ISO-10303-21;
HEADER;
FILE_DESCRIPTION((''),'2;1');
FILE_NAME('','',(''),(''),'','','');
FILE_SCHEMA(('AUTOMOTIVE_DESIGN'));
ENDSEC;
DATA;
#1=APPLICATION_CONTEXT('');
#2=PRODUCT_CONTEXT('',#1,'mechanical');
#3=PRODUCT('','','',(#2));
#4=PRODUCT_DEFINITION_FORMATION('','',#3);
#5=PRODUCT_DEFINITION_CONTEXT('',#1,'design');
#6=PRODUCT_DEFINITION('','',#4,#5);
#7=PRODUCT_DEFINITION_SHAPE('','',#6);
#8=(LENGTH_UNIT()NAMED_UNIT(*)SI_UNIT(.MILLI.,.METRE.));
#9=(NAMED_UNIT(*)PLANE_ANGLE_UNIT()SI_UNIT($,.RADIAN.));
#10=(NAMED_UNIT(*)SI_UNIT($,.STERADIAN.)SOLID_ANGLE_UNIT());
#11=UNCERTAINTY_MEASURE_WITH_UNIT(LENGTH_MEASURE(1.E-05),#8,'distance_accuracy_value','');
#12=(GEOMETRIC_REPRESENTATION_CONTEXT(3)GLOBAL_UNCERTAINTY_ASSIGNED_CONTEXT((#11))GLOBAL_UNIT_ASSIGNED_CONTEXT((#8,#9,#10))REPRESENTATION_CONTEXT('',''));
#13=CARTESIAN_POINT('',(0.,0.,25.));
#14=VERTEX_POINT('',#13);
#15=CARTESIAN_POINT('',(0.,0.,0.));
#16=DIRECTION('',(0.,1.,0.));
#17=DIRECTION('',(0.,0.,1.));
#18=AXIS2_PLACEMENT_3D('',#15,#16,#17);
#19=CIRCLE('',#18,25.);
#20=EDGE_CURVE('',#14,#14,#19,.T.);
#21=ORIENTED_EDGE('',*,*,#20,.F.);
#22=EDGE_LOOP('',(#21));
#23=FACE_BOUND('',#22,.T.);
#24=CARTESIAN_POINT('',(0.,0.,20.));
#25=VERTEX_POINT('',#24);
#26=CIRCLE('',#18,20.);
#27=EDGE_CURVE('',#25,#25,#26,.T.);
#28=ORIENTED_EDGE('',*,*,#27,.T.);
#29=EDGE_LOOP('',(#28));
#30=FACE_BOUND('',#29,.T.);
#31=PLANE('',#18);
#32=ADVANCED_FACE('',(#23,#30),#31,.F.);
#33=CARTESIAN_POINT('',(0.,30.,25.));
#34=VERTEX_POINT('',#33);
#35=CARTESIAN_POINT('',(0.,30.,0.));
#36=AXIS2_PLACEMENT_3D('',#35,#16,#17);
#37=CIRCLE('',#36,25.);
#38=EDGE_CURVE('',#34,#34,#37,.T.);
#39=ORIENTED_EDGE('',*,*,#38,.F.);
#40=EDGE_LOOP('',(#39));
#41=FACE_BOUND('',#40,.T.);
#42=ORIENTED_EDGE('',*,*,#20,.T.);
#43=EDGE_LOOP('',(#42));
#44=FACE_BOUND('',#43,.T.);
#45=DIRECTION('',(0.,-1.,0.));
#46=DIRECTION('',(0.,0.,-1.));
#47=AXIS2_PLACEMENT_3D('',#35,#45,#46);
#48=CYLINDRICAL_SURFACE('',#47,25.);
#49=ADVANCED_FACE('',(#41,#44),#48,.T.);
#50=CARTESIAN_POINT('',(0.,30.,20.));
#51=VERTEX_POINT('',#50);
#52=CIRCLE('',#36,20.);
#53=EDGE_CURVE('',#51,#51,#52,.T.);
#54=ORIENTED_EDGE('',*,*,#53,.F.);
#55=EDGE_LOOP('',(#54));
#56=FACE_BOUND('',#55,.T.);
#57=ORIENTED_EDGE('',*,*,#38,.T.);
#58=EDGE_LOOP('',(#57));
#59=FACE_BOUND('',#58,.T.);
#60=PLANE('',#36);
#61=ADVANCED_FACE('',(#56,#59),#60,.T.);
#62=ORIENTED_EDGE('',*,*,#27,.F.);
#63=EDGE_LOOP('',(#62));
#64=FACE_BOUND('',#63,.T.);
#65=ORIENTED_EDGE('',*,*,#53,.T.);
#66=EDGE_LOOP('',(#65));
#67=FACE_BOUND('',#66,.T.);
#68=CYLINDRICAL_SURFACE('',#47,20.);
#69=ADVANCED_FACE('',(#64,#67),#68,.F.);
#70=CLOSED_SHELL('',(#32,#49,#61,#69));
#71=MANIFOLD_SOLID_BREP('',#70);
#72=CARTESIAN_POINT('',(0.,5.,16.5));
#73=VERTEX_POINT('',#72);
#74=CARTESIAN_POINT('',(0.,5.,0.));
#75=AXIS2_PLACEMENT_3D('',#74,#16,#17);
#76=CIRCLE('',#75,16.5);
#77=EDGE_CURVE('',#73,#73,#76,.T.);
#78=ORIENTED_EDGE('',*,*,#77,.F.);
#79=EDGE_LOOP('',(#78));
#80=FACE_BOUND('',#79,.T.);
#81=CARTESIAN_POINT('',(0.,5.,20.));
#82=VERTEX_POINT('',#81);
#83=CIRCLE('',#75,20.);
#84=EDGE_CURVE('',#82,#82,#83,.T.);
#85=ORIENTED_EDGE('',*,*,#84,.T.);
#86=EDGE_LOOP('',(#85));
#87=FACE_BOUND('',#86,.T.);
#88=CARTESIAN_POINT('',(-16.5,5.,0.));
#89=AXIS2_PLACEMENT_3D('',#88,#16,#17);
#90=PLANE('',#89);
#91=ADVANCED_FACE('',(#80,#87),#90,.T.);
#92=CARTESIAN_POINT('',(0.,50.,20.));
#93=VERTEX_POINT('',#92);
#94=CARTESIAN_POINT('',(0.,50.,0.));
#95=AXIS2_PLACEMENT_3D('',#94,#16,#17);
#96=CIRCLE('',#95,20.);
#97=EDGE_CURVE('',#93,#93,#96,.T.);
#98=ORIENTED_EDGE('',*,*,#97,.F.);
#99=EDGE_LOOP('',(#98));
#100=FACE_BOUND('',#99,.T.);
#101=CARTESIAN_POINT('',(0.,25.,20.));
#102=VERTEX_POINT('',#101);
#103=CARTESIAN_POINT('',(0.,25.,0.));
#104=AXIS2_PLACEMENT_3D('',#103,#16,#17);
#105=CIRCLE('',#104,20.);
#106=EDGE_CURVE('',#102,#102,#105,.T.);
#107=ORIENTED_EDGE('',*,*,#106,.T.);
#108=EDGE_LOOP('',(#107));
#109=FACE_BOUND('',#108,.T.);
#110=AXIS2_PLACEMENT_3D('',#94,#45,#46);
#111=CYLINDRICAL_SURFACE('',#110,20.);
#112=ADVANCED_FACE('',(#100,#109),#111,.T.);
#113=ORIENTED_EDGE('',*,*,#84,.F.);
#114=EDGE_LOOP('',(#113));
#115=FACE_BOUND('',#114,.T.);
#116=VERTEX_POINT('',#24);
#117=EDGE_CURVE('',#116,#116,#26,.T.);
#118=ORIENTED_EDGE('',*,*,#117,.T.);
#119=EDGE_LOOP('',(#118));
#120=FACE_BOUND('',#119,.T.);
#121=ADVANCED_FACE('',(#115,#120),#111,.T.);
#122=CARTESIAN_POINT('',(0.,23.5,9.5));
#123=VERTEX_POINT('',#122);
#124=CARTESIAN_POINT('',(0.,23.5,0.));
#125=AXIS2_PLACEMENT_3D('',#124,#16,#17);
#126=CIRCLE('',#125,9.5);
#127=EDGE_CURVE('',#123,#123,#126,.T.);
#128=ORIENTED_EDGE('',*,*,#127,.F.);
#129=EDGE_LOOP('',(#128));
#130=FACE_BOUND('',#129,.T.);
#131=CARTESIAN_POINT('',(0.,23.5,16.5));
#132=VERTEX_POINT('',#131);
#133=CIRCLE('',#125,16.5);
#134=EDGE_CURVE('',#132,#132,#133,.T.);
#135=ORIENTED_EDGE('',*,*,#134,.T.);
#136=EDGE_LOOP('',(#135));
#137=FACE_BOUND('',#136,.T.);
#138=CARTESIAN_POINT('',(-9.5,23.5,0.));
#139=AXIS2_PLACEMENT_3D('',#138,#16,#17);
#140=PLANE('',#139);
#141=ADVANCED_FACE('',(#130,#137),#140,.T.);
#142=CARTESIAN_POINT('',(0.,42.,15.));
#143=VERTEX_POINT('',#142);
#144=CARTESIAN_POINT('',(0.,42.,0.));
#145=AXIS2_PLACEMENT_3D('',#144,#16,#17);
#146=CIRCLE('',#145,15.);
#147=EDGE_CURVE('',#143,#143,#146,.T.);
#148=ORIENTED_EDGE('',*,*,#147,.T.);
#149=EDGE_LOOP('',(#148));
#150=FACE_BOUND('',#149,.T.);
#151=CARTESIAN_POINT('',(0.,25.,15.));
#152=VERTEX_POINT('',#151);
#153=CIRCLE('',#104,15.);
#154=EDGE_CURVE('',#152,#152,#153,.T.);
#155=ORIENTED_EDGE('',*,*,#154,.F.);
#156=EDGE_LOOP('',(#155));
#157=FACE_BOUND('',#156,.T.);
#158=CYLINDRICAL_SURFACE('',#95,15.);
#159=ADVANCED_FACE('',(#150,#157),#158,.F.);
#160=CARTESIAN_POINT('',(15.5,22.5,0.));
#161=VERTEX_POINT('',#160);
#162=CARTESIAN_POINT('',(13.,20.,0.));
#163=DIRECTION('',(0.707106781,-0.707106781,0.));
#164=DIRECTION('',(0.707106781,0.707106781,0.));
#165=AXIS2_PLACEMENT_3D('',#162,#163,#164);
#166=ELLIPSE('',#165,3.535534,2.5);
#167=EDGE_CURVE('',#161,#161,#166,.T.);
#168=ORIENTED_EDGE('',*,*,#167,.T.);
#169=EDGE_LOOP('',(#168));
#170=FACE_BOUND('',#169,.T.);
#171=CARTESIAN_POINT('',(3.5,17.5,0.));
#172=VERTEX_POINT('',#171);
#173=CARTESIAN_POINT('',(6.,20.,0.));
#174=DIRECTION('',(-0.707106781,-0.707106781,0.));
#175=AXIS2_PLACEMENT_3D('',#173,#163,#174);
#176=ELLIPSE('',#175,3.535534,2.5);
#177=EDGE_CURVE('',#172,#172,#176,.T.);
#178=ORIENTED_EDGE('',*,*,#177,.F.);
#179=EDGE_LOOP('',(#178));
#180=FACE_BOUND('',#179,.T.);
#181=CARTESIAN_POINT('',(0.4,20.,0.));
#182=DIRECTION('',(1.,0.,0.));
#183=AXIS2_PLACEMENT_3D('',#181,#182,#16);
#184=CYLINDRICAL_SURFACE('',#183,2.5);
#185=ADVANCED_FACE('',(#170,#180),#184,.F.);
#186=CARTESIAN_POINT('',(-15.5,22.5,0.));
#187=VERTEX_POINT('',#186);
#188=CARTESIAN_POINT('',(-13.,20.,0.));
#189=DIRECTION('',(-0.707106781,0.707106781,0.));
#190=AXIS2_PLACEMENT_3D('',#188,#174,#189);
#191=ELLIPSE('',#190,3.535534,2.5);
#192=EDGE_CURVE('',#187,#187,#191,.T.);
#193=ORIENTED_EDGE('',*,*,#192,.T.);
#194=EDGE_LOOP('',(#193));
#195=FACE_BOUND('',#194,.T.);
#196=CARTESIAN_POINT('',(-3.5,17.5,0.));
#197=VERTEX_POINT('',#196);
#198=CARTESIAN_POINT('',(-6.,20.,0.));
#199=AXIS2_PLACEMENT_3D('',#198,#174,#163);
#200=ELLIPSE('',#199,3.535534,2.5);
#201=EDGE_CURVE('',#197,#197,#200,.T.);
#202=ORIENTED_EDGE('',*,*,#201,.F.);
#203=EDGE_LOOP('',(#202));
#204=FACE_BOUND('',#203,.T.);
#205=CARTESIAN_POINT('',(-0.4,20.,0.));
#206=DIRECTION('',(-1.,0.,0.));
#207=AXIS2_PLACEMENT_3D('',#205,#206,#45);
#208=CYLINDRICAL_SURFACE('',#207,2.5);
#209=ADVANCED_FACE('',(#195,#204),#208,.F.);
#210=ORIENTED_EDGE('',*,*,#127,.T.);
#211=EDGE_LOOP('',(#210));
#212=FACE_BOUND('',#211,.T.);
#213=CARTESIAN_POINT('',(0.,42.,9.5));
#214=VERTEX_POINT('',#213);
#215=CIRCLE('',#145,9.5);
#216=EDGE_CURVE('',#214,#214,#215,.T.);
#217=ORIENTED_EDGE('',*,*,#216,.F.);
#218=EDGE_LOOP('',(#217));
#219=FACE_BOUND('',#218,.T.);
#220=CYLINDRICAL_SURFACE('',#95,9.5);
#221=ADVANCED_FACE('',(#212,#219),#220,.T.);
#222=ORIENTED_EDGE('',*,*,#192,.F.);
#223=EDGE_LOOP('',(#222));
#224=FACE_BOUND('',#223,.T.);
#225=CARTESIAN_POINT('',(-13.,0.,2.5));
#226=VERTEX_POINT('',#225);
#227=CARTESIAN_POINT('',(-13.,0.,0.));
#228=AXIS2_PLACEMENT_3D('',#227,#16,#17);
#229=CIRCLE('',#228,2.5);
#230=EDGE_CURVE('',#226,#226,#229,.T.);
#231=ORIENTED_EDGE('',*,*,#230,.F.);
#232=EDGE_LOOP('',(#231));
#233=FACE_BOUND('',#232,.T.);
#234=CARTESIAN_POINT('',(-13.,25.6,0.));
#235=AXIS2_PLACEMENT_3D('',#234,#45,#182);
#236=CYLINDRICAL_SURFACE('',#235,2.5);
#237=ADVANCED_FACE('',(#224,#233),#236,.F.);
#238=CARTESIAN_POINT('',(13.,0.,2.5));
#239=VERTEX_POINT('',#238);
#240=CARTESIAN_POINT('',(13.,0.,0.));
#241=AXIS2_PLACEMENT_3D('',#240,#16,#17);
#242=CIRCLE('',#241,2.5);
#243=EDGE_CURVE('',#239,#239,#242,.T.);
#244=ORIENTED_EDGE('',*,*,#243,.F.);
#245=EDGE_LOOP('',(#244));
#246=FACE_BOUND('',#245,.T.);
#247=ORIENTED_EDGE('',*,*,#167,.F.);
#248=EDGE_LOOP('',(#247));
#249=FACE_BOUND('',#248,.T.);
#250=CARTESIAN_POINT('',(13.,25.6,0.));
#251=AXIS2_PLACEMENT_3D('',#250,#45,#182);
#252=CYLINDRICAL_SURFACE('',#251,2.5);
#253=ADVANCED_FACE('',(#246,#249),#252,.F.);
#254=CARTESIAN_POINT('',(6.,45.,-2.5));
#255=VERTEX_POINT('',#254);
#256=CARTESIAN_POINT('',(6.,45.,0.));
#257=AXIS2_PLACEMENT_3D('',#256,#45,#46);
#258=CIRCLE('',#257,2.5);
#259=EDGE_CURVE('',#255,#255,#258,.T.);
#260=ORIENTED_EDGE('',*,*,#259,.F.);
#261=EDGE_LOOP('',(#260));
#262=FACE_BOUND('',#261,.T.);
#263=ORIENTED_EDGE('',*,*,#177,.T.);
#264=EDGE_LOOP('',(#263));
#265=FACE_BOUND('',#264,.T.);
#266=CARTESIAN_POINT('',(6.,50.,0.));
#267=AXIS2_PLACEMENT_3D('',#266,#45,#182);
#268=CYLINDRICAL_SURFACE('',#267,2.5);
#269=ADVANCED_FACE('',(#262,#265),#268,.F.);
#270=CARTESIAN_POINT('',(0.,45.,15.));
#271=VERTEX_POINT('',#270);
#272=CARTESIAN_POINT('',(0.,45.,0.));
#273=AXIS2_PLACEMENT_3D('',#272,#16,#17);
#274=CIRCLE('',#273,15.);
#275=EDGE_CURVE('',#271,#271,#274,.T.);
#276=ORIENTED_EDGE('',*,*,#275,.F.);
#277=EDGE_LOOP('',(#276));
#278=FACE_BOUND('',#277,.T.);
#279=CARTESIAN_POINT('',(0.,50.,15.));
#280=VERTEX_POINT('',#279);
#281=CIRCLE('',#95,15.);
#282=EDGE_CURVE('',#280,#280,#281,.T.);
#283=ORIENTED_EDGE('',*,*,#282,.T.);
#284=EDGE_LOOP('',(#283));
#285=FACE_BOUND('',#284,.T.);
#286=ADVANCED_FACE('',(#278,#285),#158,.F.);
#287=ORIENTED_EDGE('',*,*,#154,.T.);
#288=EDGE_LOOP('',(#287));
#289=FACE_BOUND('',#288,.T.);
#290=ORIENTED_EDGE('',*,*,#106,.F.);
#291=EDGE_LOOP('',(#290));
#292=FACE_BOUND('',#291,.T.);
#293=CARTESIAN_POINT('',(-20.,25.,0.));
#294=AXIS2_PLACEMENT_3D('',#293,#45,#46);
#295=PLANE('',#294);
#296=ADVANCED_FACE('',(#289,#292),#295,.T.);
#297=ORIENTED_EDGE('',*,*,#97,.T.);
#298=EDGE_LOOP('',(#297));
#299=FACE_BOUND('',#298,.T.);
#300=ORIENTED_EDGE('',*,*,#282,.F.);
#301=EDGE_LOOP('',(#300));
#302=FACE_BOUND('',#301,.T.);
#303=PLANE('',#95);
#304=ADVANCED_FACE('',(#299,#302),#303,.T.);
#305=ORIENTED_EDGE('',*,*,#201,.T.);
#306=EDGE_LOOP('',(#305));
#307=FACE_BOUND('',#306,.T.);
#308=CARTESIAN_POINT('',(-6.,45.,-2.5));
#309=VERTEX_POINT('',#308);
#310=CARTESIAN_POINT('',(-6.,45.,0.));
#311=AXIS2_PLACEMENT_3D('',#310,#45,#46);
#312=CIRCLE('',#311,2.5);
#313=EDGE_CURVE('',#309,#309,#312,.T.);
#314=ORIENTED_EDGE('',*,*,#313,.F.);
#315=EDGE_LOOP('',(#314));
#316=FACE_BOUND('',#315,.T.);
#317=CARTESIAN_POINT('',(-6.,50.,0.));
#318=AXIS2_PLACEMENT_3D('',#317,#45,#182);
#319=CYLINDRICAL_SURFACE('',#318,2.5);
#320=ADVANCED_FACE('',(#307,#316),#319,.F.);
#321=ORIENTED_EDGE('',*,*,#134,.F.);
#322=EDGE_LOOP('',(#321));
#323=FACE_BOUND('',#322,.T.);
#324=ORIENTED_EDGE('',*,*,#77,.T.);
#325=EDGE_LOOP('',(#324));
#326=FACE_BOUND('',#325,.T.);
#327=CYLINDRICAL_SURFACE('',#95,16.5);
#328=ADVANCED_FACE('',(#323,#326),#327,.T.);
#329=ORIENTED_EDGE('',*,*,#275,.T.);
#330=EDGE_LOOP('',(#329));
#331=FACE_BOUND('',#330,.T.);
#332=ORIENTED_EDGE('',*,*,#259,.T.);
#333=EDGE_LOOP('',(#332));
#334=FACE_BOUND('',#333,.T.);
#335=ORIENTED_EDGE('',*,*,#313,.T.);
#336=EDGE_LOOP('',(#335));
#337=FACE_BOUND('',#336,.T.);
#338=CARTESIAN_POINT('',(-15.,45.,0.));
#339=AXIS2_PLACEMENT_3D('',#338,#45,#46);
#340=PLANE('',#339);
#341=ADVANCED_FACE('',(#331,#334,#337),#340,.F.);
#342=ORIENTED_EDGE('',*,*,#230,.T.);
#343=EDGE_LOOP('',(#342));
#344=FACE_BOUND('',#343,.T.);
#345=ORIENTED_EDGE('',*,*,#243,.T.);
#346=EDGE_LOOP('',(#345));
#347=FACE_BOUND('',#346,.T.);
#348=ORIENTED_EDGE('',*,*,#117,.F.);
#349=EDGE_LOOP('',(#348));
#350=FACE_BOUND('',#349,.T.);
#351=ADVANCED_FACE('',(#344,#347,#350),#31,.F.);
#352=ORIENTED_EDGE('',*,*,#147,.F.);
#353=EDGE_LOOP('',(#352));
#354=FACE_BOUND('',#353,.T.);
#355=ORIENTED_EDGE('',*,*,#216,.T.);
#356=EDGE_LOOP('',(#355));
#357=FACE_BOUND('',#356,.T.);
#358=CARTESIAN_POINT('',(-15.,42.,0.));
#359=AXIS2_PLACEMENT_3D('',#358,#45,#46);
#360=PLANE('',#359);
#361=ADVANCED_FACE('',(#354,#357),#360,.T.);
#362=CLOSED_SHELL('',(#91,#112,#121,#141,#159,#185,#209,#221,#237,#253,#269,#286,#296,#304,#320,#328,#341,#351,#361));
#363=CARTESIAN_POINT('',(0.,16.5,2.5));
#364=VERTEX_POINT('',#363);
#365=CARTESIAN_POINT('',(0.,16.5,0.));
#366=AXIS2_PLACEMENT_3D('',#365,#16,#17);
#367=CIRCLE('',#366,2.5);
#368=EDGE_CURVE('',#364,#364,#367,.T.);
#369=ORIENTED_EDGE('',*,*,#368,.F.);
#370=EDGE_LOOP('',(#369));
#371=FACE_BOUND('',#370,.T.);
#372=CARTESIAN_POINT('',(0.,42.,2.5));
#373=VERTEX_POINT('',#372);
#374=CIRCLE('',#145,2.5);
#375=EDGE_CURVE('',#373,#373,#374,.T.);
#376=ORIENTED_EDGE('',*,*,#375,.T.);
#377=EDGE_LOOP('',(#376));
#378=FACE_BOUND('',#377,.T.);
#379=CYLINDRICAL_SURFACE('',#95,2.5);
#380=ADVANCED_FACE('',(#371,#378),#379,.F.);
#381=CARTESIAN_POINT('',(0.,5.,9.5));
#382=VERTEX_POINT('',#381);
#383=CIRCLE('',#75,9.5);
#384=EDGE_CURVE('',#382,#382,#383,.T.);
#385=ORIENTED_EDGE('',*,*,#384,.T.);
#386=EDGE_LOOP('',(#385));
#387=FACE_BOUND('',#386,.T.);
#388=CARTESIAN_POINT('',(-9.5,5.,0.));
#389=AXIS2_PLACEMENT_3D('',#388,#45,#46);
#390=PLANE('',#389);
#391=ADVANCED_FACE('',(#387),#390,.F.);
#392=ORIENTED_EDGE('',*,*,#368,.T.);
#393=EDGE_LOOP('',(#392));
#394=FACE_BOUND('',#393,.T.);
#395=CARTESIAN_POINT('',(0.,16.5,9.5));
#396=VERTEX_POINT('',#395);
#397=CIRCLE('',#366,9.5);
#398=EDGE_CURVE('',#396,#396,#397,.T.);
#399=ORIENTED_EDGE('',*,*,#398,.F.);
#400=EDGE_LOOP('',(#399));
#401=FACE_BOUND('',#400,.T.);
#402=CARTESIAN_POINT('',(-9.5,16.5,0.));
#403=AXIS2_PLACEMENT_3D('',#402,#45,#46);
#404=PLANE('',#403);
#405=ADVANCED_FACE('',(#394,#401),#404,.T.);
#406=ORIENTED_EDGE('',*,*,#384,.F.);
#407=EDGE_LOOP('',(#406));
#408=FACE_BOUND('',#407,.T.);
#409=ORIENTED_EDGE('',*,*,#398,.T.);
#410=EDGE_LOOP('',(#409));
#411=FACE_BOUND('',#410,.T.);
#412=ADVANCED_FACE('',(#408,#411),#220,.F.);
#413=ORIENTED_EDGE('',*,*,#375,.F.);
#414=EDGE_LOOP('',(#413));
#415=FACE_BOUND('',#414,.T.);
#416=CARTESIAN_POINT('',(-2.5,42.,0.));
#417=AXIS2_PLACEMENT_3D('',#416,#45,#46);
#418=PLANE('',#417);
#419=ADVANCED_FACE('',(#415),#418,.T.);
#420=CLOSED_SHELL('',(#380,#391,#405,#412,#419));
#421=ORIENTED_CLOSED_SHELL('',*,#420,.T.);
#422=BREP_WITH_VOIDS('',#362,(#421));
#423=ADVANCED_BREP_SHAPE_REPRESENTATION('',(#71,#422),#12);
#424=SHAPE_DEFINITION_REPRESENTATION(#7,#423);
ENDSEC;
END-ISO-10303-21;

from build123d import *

# Parameters (mm, degrees)
SKETCH2_R           = 25
SKETCH2_R_2         = 20
BOSS_EXTRUDE1_DEPTH = 30
SKETCH2_4_R         = 20
BOSS_EXTRUDE2_DEPTH = 50
SKETCH3_4_W         = 2.5
SKETCH3_4_H         = 25.5
SKETCH3_5_W         = 15
SKETCH3_5_H         = 5
SKETCH4_R           = 2.5


with BuildPart() as part:
    # Sketch2 → Boss-Extrude1 (new body)
    with BuildSketch(Plane(origin=(0, 0, 0), x_dir=(1, 0, 0), z_dir=(0, 1, 0))):
        Circle(SKETCH2_R)
        Circle(SKETCH2_R_2, mode=Mode.SUBTRACT)
    extrude(amount=BOSS_EXTRUDE1_DEPTH)


with BuildPart() as body_2:
    # Sketch2<4> → Boss-Extrude2 (new body)
    with BuildSketch(Plane(origin=(0, 0, 0), x_dir=(1, 0, 0), z_dir=(0, 1, 0))):
        Circle(SKETCH2_4_R)
    extrude(amount=BOSS_EXTRUDE2_DEPTH)

    # Sketch3 → Cut-Revolve1 (revolve, cut)
    with BuildSketch(Plane.XY):
        Polygon((-15, 42), (-9.5, 42), (-9.5, 23.5), (-16.5, 23.5), (-16.5, 5), (-20, 5), (-20, 25), (-15, 25), align=None)
    revolve(axis=Axis((0, 50, 0), (0, -1, 0)), mode=Mode.SUBTRACT)

    # Sketch3<4> → Cut-Revolve2 (revolve, cut)
    with BuildSketch(Plane.XY):
        with Locations((-1.25, 29.25)):
            Rectangle(SKETCH3_4_W, SKETCH3_4_H)
        Polygon((0, 16.5), (-2.5, 16.5), (-9.5, 16.5), (-9.5, 5), (0, 5), align=None)
    revolve(axis=Axis((0, 50, 0), (0, -1, 0)), mode=Mode.SUBTRACT)

    # Sketch3<5> → Cut-Revolve3 (revolve, cut)
    with BuildSketch(Plane.XY):
        with Locations((-7.5, 47.5)):
            Rectangle(SKETCH3_5_W, SKETCH3_5_H)
    revolve(axis=Axis((0, 50, 0), (0, -1, 0)), mode=Mode.SUBTRACT)

    # Cut-Sweep1: sweep along a path in Sketch3<10>
    with BuildLine(Plane.XY) as cut_sweep1_path:
        Line((-6, 45), (-6, 20))
        Line((-6, 20), (-13, 20))
        Line((-13, 20), (-13, 0))
    # Sketch4 → Cut-Sweep1 (sweep, cut)
    with BuildSketch(Plane(origin=(0, 45, 0), x_dir=(1, 0, 0), z_dir=(0, 1, 0))):
        with Locations((-6, 0)):
            Circle(SKETCH4_R)
    cut_sweep1 = sweep(path=cut_sweep1_path.line, transition=Transition.RIGHT, mode=Mode.SUBTRACT)

    # Mirror1: Cut-Sweep1 across plane
    add(cut_sweep1.mirror(Plane(origin=(0, 0, 0), x_dir=(0, 0, 1), z_dir=(1, 0, 0))), mode=Mode.SUBTRACT)


solid = Compound([part.part, body_2.part])
